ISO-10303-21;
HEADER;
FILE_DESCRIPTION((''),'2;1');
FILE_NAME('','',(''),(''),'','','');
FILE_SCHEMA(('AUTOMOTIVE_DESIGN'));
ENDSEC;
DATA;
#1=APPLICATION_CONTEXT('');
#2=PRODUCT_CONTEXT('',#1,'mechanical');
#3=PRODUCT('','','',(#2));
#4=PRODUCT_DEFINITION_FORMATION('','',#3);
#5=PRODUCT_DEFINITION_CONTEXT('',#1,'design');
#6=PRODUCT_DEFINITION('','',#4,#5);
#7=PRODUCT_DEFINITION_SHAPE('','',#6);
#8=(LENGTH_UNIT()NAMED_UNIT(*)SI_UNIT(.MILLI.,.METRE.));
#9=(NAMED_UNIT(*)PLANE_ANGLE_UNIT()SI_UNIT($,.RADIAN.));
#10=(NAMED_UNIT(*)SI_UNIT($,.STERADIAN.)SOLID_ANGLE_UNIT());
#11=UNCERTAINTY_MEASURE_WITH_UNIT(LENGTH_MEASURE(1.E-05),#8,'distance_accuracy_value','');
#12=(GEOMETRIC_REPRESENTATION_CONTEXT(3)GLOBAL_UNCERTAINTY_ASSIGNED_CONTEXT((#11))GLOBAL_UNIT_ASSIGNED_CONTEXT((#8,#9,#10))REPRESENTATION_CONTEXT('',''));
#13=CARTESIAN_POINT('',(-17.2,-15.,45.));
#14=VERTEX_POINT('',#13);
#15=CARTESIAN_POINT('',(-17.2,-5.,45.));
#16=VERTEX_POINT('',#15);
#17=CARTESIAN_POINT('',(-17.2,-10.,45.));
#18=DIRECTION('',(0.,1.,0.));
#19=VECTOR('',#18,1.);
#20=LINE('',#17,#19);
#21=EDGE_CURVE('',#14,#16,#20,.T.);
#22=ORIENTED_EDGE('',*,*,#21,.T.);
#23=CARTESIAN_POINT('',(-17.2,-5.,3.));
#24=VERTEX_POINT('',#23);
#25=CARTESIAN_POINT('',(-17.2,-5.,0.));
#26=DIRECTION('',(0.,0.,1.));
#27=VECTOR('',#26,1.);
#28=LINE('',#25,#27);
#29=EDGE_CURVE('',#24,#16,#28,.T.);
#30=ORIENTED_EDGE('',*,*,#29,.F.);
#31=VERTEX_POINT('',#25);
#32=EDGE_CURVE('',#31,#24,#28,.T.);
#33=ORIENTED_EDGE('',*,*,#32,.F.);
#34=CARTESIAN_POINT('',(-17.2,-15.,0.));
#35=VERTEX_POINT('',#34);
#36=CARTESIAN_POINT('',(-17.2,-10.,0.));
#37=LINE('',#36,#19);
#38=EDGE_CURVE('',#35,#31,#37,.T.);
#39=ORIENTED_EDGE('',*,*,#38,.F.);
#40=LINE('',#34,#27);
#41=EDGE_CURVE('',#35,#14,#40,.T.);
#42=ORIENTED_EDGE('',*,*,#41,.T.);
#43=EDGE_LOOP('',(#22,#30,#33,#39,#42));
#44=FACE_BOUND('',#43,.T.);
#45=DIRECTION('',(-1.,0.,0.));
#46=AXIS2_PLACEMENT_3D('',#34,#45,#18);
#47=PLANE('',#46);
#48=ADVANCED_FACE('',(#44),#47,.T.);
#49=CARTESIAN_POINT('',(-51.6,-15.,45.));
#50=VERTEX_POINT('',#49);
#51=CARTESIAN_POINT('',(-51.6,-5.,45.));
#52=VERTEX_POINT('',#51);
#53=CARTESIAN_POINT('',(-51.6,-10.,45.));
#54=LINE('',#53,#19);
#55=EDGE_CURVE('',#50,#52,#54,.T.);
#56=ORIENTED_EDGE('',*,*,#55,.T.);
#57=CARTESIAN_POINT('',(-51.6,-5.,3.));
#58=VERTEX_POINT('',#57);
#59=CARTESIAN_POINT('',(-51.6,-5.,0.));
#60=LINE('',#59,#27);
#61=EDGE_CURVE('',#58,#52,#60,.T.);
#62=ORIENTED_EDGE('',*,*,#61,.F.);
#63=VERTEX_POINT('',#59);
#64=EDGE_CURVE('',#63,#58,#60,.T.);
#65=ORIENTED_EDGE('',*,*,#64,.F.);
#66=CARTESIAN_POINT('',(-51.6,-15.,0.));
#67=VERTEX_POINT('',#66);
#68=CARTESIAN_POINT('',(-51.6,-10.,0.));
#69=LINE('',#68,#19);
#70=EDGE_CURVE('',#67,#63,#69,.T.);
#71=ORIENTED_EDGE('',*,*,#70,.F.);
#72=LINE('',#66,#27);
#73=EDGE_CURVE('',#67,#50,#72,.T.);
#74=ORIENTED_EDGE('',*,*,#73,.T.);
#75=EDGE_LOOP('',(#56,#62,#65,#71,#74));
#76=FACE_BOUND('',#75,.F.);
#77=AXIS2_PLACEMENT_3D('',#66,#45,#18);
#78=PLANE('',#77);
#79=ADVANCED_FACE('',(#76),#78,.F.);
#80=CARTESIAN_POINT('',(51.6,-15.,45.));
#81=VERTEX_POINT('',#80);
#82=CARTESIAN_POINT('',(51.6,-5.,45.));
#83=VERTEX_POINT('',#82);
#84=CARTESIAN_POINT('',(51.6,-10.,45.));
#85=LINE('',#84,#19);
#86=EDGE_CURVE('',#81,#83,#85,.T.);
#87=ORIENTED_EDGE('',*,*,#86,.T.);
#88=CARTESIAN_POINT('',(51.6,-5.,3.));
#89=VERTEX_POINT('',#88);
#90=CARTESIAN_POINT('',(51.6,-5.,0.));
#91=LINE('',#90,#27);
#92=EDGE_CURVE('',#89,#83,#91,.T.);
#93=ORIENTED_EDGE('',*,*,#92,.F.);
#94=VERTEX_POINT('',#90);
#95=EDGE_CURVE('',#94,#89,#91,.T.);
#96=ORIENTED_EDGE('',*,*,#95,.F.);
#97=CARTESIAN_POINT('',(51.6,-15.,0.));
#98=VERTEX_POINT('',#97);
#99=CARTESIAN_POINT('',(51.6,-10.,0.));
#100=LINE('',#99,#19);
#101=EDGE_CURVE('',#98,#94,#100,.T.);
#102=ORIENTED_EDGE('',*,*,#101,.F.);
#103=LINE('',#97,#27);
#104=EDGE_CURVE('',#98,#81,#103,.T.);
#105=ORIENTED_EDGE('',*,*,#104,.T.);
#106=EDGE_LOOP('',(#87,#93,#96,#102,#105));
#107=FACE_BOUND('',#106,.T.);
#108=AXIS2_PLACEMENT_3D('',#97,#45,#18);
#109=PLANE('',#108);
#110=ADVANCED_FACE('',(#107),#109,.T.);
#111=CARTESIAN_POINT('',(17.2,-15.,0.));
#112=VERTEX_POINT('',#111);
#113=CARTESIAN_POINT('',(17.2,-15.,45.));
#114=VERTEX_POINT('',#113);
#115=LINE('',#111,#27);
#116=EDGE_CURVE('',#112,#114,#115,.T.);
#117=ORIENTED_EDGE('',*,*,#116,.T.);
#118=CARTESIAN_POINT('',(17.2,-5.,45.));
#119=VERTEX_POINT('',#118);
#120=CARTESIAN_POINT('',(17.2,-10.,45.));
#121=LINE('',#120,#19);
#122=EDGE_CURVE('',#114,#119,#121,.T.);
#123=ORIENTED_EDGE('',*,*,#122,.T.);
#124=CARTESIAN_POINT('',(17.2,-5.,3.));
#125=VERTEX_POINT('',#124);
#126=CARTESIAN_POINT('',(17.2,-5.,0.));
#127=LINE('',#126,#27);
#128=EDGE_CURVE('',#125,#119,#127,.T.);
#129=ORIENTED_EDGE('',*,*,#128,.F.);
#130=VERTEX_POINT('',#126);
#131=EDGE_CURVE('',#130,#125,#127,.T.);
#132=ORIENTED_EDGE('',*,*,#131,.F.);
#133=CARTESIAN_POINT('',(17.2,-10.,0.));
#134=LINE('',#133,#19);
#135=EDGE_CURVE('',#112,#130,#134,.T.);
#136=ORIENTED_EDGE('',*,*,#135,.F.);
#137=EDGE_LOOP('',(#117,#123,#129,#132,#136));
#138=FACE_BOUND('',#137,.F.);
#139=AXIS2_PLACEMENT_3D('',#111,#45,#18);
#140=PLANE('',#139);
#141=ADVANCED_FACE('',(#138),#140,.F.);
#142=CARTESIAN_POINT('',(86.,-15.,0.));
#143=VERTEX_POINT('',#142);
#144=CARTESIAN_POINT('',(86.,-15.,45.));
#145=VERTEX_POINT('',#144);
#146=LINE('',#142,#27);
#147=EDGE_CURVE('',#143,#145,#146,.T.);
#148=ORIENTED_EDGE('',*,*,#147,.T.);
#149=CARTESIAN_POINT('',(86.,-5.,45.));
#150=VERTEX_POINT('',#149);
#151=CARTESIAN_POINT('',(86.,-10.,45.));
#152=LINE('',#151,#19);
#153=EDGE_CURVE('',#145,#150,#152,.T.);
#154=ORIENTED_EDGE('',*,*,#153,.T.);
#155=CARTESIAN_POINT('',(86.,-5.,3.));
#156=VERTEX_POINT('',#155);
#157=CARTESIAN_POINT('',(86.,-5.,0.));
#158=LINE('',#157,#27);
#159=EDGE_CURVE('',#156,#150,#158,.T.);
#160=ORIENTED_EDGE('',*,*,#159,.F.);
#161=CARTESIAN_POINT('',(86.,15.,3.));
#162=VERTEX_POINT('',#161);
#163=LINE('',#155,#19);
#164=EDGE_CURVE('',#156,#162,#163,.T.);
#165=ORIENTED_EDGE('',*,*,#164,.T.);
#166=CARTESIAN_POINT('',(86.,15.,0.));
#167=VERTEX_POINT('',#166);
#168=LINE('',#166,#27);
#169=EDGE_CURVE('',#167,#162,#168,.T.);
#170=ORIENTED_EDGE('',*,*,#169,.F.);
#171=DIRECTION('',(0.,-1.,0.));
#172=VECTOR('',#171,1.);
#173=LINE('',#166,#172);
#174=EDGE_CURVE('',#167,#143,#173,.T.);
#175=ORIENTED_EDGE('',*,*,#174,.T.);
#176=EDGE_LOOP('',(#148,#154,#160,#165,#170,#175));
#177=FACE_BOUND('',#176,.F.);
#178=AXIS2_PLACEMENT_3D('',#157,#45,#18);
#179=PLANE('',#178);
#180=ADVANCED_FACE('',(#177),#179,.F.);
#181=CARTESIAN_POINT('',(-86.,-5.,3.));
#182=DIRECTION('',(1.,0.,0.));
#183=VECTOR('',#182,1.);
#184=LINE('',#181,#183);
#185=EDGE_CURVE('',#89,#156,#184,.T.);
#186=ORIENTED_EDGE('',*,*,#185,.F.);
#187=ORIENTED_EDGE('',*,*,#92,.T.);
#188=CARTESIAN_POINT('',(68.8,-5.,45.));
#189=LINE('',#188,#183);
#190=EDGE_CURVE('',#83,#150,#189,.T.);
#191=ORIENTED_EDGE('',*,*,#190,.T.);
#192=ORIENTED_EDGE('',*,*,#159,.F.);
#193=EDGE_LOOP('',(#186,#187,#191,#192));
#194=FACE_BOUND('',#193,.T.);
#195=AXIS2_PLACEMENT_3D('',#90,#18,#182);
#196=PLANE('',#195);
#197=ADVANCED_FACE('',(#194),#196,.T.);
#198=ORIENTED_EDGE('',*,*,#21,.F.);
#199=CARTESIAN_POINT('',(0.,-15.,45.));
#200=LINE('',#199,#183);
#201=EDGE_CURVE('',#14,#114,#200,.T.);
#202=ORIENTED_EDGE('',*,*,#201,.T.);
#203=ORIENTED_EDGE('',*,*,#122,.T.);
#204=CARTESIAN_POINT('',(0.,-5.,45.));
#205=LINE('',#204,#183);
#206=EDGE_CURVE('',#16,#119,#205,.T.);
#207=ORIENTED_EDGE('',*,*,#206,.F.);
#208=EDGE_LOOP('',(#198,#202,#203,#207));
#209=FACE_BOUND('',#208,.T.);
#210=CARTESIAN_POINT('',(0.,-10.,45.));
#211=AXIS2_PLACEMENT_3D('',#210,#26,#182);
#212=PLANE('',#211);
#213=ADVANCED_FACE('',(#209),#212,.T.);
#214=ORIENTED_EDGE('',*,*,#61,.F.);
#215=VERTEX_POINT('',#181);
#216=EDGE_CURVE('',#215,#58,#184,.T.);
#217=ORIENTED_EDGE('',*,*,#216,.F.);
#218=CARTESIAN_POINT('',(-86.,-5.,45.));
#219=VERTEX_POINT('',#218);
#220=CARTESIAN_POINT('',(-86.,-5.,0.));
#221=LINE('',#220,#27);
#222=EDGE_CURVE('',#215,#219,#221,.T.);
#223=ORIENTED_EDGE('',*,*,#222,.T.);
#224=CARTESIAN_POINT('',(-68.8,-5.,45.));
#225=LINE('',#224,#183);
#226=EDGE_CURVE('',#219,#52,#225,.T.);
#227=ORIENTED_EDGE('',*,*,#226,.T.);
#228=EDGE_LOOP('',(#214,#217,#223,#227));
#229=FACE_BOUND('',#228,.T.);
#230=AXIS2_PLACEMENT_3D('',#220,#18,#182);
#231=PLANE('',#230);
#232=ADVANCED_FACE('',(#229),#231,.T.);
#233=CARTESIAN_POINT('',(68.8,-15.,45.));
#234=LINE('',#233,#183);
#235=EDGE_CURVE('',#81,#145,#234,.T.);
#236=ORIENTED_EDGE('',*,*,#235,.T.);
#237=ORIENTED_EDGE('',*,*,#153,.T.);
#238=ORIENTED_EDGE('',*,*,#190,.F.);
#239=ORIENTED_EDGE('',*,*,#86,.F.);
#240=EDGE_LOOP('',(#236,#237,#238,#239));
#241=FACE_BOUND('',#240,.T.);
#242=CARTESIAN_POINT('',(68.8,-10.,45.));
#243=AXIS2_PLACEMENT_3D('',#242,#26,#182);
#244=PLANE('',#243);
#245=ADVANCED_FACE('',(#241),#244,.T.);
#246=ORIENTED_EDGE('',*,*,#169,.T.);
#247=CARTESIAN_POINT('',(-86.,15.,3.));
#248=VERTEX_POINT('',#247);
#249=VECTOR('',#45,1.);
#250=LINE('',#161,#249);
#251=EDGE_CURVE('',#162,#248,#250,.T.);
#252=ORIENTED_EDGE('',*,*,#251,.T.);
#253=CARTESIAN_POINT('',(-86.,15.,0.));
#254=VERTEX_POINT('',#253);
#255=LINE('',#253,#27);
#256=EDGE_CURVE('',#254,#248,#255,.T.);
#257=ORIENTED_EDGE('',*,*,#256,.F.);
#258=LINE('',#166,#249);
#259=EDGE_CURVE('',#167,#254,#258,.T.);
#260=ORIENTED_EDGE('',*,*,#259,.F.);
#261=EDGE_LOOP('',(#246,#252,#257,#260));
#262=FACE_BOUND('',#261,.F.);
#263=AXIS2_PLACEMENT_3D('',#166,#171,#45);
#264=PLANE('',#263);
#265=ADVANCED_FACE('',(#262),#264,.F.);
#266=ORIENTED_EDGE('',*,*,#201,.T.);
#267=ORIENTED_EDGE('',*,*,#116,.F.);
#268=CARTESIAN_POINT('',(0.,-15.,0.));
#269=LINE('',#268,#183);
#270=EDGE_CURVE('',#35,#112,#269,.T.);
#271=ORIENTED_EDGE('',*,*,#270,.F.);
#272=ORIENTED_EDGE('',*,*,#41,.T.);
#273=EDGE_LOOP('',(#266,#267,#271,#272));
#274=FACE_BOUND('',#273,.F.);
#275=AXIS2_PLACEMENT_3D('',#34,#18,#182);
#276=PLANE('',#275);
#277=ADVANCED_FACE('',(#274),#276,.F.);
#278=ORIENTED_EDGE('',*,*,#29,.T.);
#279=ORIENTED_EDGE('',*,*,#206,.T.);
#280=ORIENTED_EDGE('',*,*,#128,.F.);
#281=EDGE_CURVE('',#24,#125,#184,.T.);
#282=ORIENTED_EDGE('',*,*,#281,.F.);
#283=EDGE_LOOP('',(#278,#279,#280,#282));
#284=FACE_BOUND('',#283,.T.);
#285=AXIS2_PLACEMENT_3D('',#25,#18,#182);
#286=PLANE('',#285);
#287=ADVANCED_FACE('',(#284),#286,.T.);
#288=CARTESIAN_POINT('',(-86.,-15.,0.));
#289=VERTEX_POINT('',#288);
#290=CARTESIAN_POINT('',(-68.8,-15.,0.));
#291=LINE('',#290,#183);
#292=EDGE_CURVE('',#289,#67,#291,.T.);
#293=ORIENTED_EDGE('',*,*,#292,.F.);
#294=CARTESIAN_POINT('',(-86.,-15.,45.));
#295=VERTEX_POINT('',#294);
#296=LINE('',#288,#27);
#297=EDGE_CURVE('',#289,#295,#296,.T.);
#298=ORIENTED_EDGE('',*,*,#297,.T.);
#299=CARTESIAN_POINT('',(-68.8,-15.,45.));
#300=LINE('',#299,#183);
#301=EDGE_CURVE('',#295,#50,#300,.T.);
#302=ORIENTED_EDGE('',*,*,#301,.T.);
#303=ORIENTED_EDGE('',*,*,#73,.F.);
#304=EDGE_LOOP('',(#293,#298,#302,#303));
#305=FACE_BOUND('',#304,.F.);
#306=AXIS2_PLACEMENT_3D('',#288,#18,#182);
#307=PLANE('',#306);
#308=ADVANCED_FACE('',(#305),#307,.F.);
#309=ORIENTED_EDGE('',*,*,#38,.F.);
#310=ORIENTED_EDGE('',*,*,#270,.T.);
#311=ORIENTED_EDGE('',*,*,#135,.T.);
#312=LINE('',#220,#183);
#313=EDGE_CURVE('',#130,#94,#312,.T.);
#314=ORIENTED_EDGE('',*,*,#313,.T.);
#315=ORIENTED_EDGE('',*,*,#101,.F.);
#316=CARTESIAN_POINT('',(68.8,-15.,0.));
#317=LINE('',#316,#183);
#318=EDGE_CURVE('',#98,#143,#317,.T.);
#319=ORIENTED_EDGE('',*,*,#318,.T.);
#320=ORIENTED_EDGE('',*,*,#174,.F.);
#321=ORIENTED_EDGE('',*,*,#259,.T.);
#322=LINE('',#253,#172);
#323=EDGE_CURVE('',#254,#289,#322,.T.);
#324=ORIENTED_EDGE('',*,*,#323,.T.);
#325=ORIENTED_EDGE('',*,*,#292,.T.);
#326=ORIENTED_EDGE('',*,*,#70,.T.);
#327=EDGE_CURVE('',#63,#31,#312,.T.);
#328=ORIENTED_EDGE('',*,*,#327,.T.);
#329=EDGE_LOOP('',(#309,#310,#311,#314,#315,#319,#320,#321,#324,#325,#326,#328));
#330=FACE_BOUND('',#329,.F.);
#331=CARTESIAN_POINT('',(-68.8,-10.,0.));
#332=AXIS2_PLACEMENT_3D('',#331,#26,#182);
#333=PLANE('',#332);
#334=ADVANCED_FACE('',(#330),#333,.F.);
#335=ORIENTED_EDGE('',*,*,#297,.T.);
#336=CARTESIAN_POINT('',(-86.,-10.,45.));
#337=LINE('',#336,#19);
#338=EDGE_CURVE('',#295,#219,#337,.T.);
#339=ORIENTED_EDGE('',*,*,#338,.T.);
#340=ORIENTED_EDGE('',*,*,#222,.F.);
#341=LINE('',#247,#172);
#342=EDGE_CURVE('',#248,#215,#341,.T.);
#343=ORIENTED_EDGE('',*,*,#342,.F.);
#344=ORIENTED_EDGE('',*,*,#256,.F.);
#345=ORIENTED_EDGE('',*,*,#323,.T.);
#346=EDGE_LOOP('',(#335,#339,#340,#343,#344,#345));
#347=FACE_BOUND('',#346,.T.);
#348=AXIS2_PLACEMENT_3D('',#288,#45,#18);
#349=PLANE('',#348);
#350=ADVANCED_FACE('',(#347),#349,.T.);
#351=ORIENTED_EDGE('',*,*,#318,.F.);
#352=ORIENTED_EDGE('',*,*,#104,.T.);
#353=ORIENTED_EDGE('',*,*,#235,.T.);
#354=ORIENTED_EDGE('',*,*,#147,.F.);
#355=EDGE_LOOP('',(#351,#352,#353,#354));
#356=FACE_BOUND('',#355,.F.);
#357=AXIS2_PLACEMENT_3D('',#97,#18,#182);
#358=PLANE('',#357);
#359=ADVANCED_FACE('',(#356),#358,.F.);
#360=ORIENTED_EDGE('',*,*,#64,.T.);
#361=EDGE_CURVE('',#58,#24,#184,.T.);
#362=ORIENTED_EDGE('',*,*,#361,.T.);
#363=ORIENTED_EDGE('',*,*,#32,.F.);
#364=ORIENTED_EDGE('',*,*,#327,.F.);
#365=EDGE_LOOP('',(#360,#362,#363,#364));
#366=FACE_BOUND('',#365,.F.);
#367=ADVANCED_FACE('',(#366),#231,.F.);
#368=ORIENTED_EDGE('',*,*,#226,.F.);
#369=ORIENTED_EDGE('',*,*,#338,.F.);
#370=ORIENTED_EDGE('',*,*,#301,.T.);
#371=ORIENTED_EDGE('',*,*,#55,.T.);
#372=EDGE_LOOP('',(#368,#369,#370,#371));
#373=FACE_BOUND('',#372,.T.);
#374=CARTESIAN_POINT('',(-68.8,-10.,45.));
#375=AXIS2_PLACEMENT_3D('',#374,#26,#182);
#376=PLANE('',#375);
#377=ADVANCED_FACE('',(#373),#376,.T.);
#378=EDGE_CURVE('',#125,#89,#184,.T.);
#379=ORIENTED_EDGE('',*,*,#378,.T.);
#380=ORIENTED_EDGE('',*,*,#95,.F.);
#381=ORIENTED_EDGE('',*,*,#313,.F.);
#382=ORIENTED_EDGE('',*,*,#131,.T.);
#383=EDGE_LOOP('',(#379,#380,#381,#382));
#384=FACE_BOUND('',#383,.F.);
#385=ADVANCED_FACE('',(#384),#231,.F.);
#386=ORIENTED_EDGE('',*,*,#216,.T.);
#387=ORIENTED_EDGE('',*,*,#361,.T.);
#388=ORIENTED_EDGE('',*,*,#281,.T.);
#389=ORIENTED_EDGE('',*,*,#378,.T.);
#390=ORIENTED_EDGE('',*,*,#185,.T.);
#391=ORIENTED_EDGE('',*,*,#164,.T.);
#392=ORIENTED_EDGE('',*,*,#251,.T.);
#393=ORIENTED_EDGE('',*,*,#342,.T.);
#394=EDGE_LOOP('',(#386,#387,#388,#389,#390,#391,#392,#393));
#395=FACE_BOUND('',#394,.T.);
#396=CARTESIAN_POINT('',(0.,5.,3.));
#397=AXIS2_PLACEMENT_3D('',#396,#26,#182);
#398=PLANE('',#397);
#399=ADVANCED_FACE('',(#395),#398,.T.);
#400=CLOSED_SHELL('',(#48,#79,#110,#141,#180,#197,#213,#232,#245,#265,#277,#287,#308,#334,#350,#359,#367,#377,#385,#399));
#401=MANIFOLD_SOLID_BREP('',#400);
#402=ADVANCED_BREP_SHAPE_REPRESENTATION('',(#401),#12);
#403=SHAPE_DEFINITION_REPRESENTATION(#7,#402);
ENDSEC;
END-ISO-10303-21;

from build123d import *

# Parameters (mm, degrees)
F1_DEPTH = 3
F0_W     = 34.4
F0_H     = 10
F2_DEPTH = 45


with BuildPart() as f1:
    # F0 (on Top) → F1 (new body)
    with BuildSketch(Plane.XY):
        Polygon((86, -5), (86, 15), (-86, 15), (-86, -5), (-51.6, -5), (-17.2, -5), (17.2, -5), (51.6, -5), align=None)
    extrude(amount=F1_DEPTH)

    # F0 (on Top) → F2 (join)
    with BuildSketch(Plane.XY):
        with Locations((-68.8, -10)):
            Rectangle(F0_W, F0_H)
        with Locations((0, -10)):
            Rectangle(F0_W, F0_H)
        with Locations((68.8, -10)):
            Rectangle(F0_W, F0_H)
    extrude(amount=F2_DEPTH)


solid = f1.part
